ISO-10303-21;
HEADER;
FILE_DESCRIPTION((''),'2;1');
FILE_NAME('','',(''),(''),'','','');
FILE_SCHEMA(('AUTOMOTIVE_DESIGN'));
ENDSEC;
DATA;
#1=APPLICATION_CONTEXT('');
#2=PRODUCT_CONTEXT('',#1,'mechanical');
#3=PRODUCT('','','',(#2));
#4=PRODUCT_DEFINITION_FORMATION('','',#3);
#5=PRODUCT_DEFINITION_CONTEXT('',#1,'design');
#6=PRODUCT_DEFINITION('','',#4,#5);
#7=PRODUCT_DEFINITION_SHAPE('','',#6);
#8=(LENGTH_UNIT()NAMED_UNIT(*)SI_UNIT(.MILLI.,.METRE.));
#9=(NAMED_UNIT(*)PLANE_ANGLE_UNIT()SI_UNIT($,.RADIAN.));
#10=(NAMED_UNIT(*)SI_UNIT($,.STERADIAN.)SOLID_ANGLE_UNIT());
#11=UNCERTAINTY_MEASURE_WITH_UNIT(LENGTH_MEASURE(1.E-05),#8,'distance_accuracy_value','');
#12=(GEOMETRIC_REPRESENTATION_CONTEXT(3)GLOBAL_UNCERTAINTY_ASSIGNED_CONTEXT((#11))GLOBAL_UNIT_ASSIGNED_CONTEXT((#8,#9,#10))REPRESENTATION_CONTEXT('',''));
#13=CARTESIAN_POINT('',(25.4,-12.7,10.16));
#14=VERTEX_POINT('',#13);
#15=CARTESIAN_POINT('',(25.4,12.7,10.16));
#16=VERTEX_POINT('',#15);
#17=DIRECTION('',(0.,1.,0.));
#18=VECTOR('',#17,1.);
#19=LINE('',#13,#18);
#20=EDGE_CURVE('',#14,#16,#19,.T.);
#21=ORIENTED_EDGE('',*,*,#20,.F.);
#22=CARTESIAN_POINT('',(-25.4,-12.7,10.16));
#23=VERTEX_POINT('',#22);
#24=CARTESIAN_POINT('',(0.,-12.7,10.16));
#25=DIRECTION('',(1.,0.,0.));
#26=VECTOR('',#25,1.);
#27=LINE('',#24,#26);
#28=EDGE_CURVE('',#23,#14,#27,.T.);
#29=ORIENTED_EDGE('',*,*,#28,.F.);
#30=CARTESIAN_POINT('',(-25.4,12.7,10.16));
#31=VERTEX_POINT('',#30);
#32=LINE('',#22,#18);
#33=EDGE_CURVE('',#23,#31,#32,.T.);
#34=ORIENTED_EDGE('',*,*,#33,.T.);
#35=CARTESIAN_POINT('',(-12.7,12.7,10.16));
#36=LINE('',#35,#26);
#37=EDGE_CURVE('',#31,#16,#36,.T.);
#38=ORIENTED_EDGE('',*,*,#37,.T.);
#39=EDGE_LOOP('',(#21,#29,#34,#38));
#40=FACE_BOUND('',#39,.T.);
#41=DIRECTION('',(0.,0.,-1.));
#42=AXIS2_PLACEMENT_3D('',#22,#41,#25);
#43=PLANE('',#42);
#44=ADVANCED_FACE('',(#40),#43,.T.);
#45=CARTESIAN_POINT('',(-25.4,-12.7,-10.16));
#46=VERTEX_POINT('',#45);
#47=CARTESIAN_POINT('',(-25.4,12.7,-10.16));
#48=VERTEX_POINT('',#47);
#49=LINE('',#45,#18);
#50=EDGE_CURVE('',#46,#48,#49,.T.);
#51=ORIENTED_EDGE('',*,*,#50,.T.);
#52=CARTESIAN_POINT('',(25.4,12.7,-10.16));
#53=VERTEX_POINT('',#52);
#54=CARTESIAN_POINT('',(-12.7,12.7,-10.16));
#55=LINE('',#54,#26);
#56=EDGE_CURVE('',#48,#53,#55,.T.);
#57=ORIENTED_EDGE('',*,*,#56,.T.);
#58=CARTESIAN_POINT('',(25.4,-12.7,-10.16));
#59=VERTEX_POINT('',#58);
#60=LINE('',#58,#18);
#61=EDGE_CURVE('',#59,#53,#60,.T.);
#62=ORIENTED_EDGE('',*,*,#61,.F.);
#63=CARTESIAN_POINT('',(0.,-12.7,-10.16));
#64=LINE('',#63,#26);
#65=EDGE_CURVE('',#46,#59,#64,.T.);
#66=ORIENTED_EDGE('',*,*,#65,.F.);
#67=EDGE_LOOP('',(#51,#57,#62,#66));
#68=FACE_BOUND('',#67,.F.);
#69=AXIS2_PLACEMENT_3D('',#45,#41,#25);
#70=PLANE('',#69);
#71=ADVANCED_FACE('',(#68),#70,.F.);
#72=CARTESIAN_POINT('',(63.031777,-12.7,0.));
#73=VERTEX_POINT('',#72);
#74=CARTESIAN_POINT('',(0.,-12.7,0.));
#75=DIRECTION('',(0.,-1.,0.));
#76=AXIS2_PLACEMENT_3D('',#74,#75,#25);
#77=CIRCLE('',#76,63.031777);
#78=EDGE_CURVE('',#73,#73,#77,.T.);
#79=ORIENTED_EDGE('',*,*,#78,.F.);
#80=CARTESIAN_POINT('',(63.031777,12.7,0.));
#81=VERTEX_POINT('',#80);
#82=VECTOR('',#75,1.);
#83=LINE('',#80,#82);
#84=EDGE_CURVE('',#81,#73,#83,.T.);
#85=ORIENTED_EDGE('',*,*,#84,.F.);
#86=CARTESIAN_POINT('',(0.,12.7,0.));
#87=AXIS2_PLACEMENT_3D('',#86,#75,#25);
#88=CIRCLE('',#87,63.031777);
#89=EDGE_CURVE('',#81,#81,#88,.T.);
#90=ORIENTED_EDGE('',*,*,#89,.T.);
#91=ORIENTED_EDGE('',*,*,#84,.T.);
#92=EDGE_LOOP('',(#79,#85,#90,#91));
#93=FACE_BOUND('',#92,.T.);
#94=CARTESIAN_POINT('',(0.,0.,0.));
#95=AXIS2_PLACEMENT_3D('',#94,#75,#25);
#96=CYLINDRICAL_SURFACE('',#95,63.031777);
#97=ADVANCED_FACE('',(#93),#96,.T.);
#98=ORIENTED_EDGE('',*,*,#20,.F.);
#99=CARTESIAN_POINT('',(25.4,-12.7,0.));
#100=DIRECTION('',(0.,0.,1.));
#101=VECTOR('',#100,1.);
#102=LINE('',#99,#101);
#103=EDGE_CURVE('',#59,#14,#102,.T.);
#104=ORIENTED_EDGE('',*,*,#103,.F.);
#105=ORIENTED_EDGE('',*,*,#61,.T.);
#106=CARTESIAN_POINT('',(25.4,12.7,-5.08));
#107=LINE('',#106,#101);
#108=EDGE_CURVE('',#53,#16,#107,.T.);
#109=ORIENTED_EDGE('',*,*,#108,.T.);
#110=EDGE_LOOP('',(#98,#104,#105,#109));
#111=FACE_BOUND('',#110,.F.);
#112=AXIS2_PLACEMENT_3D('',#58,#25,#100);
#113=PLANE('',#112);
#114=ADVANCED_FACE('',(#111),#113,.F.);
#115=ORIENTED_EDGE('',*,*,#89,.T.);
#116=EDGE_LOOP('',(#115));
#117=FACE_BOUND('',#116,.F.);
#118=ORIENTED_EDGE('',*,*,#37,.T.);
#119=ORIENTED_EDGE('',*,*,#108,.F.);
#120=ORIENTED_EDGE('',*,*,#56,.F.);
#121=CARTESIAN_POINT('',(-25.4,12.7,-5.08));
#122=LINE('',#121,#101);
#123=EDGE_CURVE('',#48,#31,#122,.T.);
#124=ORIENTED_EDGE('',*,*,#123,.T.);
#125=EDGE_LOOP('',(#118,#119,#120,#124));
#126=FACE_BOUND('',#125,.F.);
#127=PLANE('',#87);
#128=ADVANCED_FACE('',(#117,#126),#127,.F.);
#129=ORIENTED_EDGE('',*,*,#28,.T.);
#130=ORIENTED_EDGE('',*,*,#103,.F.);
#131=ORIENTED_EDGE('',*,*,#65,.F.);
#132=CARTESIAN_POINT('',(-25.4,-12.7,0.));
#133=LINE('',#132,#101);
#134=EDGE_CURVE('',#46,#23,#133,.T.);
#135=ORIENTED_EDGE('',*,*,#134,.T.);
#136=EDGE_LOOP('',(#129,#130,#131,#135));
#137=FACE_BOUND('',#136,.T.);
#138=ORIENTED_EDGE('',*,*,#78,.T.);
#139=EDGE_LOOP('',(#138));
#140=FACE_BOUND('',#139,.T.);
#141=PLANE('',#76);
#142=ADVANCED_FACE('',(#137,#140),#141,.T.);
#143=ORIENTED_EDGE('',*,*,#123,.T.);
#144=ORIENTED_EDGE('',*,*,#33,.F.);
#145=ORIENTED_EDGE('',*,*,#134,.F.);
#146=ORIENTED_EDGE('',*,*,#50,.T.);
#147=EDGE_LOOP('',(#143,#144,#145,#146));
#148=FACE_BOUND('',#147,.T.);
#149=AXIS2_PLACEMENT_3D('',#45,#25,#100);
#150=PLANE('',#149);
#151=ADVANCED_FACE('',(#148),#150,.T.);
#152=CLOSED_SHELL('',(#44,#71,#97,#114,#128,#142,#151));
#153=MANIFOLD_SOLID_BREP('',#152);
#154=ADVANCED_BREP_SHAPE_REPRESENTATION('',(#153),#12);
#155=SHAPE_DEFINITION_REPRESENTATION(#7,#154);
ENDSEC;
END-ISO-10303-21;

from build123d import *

# Parameters (mm, degrees)
F0_R     = 63.031777
F1_DEPTH = 12.7
F2_W     = 50.8
F2_H     = 20.32
F3_DEPTH = 25.401


with BuildPart() as f1:
    # F0 (on Front) → F1 (new body, symmetric)
    with BuildSketch(Plane.XZ):
        Circle(F0_R)
    extrude(amount=F1_DEPTH, both=True)

    # F2 (on face) → F3 (cut, through all)
    with BuildSketch(Plane.XZ.offset(12.7)):
        Rectangle(F2_W, F2_H)
    extrude(amount=-F3_DEPTH, mode=Mode.SUBTRACT)


solid = f1.part
